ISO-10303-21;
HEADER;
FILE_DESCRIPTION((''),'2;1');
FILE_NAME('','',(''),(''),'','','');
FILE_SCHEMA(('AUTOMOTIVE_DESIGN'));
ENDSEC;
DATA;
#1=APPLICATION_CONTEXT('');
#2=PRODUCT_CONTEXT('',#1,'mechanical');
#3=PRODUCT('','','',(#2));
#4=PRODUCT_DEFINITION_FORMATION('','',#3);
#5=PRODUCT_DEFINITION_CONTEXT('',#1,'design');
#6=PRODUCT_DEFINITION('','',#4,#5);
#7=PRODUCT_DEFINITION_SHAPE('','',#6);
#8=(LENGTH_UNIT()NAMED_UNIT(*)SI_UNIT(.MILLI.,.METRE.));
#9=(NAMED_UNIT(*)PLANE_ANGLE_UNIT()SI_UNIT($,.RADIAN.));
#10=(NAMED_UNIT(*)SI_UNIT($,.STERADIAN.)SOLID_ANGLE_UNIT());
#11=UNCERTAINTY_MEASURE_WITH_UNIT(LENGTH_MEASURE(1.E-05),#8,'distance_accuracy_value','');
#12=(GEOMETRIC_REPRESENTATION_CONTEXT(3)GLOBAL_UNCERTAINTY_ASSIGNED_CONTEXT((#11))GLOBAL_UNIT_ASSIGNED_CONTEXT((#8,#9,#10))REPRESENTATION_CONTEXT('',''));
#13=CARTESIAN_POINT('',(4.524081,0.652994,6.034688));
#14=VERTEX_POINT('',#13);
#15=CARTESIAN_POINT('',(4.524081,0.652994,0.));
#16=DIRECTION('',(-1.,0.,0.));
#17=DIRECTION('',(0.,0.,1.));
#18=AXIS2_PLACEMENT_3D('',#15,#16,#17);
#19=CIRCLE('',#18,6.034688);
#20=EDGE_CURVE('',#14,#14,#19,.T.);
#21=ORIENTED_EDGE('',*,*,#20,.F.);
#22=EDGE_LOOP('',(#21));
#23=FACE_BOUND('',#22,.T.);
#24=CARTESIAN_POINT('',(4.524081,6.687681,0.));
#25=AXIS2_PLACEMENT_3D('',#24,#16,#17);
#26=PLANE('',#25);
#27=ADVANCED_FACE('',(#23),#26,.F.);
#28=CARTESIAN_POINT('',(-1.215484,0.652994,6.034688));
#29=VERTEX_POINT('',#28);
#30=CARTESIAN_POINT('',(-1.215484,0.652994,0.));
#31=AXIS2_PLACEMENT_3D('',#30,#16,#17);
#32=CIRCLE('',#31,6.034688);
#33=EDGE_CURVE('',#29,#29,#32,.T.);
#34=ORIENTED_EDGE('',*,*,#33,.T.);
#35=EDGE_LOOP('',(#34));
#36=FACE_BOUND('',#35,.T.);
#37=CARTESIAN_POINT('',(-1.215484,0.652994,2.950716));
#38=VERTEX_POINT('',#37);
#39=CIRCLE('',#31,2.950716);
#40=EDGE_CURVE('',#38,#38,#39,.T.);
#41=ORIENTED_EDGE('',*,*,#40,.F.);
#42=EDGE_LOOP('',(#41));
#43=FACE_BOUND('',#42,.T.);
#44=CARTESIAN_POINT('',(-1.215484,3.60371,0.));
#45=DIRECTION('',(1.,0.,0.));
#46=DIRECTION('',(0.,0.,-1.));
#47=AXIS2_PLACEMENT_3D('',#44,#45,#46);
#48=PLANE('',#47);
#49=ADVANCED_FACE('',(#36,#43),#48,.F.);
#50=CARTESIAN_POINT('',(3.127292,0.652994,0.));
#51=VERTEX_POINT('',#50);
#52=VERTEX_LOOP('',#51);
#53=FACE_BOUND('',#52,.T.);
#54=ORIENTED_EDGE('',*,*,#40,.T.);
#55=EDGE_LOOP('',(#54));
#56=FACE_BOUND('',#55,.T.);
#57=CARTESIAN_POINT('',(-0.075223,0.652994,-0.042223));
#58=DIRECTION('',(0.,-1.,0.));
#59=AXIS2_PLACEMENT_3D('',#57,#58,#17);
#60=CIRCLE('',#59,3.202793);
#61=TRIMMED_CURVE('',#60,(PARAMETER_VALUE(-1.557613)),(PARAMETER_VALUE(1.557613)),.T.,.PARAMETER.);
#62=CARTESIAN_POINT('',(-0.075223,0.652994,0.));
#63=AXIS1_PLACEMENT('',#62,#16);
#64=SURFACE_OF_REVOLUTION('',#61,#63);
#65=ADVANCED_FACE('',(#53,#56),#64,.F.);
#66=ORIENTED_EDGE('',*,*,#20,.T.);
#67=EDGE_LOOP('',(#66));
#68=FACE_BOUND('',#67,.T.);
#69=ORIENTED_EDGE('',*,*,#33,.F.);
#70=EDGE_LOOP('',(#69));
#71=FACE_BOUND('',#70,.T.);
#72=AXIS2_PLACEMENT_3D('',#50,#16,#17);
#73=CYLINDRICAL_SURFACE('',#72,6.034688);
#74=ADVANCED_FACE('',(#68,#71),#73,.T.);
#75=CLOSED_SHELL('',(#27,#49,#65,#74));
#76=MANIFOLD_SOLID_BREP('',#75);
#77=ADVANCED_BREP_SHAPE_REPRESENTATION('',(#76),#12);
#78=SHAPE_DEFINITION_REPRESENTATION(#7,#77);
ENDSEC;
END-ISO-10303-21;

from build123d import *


with BuildPart() as part:
    # Sketch1 → Revolve2 (revolve)
    with BuildSketch(Plane.XY, mode=Mode.PRIVATE) as revolve2_sk:
        with BuildLine():
            Line((3.127292086, 0.65299376), (4.524081096, 0.65299376))
            Line((4.524081096, 0.65299376), (4.524081096, 6.687681375))
            Line((4.524081096, 6.687681375), (-1.215483574, 6.687681375))
            Line((-1.215483574, 6.687681375), (-1.215483574, 3.603710136))
            ThreePointArc((-1.215483574, 3.603710136), (1.724750806, 3.259917187), (3.127292086, 0.65299376))
        make_face()
    revolve(revolve2_sk.sketch.rotate(Axis((3.127292086, 0.65299376, 0), (1, 0, 0)), 90), axis=Axis((3.127292086, 0.65299376, 0), (1, 0, 0)))


solid = part.part
